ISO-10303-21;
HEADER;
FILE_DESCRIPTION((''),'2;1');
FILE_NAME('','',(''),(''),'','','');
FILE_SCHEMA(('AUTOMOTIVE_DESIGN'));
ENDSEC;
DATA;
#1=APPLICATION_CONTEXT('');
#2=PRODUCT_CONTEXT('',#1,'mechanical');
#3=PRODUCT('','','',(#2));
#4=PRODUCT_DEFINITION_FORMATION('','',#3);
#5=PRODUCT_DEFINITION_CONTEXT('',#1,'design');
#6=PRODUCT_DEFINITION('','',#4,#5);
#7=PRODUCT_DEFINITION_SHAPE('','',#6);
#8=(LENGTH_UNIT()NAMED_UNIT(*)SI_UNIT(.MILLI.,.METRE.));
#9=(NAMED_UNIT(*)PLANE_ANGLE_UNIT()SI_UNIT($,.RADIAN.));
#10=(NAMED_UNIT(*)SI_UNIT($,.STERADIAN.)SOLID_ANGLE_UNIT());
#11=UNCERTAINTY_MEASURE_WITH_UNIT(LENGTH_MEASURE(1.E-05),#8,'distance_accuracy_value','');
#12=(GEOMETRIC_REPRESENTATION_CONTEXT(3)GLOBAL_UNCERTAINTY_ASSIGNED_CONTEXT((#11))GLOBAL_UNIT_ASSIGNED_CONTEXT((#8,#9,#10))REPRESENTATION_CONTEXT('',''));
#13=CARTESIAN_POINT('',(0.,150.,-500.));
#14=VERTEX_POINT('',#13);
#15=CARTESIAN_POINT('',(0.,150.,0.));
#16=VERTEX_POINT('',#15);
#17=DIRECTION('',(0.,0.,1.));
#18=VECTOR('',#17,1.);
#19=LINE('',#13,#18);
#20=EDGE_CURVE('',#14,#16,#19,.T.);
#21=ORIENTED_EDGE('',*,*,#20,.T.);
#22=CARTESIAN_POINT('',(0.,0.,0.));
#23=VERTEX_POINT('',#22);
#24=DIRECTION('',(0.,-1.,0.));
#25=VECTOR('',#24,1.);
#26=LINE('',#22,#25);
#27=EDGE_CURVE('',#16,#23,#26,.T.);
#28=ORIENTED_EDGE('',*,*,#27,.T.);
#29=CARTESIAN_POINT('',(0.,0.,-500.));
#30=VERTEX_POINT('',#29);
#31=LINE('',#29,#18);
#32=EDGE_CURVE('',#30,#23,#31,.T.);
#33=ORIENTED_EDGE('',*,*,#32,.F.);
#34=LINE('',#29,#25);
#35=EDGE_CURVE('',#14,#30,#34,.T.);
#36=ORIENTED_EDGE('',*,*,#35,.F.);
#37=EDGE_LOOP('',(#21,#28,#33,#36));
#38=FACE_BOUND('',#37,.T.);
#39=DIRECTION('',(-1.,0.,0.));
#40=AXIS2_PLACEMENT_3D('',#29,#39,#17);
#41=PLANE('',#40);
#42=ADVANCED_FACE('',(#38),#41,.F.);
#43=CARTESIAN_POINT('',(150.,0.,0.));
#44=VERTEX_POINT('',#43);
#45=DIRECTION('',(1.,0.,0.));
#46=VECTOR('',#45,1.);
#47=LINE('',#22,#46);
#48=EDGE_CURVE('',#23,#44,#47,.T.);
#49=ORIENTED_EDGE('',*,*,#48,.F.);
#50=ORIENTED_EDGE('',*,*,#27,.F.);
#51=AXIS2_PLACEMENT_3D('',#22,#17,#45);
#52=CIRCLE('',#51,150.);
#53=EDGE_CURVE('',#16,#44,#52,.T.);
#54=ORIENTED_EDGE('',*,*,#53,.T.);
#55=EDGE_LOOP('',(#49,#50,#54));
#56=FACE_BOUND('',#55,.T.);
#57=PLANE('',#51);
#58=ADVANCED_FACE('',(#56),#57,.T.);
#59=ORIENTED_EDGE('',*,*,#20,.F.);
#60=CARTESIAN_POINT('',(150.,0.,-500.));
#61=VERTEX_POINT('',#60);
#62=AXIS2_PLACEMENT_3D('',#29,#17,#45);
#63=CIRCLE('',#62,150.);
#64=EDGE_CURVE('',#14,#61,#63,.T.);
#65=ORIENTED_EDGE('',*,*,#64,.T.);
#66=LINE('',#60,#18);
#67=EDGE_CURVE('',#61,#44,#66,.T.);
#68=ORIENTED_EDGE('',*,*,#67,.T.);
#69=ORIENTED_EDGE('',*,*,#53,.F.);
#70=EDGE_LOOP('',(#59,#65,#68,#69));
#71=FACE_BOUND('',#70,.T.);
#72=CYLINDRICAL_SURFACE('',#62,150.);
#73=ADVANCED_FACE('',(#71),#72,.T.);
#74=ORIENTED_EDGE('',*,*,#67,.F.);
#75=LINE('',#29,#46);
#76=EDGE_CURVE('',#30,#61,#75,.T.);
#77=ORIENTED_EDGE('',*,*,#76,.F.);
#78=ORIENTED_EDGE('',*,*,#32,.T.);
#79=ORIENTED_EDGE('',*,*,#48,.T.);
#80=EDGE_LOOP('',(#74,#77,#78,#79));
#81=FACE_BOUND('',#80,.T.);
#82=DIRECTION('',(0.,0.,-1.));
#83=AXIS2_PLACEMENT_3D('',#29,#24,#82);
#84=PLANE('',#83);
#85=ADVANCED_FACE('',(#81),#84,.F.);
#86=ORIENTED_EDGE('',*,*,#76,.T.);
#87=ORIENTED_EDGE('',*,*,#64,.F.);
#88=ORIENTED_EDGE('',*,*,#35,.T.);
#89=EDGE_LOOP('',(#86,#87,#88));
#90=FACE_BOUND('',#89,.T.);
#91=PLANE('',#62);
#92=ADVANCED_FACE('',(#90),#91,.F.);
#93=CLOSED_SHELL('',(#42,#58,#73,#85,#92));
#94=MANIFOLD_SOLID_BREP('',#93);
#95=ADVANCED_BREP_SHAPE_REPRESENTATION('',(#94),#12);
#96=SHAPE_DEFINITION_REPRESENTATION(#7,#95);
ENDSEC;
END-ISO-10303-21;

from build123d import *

# Parameters (mm, degrees)
SKETCH1_R           = 150
BOSS_EXTRUDE1_DEPTH = 500
SKETCH2_W           = 150
SKETCH2_H           = 150
CUT_EXTRUDE1_DEPTH  = 544.13902456


with BuildPart() as part:
    # Sketch1 → Boss-Extrude1 (new body)
    with BuildSketch(Plane.XY):
        Circle(SKETCH1_R)
    extrude(amount=-BOSS_EXTRUDE1_DEPTH)

    # Sketch2 → Cut-Extrude1 (cut, through all)
    with BuildSketch(Plane.XY):
        with Locations((75, 75)):
            Rectangle(SKETCH2_W, SKETCH2_H)
    extrude(amount=-CUT_EXTRUDE1_DEPTH, mode=Mode.SUBTRACT)


solid = part.part
